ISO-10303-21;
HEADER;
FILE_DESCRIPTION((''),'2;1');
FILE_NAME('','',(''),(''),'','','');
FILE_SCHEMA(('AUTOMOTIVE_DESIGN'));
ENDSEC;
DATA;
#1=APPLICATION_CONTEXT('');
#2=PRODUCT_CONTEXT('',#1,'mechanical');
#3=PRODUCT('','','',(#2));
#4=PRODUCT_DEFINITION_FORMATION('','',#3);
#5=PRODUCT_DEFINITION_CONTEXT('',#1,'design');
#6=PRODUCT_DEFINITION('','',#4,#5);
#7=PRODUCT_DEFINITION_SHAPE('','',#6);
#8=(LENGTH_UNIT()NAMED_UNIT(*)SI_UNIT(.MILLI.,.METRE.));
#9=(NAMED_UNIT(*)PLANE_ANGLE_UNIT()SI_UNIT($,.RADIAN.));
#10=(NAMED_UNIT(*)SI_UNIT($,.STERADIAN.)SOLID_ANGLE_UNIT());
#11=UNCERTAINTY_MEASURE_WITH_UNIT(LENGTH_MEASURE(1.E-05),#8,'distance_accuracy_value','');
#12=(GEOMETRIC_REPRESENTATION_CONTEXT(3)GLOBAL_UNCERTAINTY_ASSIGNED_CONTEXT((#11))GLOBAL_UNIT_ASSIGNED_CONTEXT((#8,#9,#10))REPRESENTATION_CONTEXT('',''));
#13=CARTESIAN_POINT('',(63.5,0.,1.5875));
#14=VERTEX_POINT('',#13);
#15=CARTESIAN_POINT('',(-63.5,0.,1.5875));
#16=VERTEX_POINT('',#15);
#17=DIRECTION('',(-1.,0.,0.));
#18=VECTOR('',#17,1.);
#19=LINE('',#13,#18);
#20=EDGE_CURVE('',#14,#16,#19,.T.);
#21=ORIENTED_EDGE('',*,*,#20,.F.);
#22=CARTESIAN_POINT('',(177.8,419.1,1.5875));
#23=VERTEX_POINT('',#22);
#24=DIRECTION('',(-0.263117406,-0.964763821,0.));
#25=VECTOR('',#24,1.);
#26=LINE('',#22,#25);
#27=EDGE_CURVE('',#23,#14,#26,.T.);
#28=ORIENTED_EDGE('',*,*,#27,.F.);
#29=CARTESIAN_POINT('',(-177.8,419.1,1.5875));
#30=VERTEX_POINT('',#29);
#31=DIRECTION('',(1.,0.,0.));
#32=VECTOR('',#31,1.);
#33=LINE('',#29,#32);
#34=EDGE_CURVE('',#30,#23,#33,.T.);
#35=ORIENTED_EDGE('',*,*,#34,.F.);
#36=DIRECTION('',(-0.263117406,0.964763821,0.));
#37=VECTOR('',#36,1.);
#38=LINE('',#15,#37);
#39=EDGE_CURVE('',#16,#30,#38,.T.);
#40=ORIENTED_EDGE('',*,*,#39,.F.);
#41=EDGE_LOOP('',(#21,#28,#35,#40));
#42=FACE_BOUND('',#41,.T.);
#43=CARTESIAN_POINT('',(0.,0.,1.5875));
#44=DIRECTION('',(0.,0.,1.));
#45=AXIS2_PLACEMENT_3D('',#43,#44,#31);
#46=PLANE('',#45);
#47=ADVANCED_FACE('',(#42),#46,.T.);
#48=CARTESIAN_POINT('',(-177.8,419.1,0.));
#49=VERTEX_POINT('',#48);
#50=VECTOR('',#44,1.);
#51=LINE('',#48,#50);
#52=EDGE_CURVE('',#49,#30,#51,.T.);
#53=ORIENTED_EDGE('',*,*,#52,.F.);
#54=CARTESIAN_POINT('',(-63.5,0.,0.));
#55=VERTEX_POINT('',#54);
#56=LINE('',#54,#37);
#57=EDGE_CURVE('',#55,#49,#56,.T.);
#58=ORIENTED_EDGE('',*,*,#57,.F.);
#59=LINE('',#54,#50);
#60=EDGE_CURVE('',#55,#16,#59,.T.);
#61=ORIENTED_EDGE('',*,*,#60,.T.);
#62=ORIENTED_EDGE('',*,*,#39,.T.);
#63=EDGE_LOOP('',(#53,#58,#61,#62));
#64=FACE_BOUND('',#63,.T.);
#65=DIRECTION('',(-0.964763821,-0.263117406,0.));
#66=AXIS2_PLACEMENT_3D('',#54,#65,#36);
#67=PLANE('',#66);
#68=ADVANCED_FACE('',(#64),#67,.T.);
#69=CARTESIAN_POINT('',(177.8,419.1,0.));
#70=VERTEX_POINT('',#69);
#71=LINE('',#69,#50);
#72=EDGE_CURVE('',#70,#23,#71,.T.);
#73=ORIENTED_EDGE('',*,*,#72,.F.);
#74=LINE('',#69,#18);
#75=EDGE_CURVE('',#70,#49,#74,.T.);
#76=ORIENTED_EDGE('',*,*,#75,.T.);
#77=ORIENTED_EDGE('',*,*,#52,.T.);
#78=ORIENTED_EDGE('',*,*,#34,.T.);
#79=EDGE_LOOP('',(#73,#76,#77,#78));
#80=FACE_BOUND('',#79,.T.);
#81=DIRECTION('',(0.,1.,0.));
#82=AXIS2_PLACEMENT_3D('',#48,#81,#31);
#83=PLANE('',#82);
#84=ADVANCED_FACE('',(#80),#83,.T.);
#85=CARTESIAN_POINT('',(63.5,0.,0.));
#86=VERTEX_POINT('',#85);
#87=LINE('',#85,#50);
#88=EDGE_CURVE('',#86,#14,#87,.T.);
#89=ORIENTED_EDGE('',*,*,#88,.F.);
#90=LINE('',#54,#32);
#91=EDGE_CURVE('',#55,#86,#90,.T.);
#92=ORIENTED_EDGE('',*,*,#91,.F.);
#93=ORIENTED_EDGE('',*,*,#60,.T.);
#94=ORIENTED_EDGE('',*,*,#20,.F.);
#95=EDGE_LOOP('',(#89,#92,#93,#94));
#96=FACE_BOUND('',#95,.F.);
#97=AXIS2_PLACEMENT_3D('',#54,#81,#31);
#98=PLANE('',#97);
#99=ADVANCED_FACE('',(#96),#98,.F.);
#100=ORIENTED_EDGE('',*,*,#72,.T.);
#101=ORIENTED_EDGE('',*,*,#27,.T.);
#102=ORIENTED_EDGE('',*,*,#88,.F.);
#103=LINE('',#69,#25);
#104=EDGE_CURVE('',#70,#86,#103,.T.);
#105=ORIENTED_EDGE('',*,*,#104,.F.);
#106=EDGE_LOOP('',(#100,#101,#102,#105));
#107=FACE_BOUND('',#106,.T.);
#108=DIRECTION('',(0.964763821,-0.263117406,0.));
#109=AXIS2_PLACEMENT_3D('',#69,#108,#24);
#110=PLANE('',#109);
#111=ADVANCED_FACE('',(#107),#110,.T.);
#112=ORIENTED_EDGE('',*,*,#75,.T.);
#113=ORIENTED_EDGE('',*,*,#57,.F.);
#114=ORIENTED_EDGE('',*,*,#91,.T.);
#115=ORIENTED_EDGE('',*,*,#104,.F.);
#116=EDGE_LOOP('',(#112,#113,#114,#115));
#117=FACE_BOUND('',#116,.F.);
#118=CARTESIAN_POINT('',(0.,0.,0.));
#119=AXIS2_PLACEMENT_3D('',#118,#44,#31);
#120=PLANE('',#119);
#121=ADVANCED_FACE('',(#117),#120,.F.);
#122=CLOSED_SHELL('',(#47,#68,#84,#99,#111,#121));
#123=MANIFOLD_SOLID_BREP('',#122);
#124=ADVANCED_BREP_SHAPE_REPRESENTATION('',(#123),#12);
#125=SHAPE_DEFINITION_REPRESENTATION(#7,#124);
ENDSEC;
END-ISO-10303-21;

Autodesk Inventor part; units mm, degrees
ref_plane "YZ Plane" through (0, 0, 0) normal (1, 0, 0) x (0, 1, 0)
ref_plane "XZ Plane" through (0, 0, 0) normal (0, 1, 0) x (-1, 0, 0)
ref_plane "XY Plane" through (0, 0, 0) normal (0, 0, 1) x (1, 0, 0)
sketch "Sketch1" plane through (0, 0, 0) normal (0, 0, 1) x (1, 0, 0)
  line L0 (-248.92, 0) -> (248.92, 0) projected
  line L1 (0, -83.82) -> (0, 502.92) projected
  line L2 (-177.8, 419.1) -> (177.8, 419.1)
  line L3 (177.8, 419.1) -> (63.5, 0)
  line L4 (63.5, 0) -> (-63.5, 0)
  line L5 (-63.5, 0) -> (-177.8, 419.1)
  point P0 (0, 0)
  point P1 (0, 419.1)
  dimension "d0" = 127
  dimension "d1" = 355.6
  dimension "d2" = 419.1
extrude "Extrusion1" add sketch "Sketch1" along normal blind 1.5875
properties part number "back window" material "Polycarbonate, Clear"
